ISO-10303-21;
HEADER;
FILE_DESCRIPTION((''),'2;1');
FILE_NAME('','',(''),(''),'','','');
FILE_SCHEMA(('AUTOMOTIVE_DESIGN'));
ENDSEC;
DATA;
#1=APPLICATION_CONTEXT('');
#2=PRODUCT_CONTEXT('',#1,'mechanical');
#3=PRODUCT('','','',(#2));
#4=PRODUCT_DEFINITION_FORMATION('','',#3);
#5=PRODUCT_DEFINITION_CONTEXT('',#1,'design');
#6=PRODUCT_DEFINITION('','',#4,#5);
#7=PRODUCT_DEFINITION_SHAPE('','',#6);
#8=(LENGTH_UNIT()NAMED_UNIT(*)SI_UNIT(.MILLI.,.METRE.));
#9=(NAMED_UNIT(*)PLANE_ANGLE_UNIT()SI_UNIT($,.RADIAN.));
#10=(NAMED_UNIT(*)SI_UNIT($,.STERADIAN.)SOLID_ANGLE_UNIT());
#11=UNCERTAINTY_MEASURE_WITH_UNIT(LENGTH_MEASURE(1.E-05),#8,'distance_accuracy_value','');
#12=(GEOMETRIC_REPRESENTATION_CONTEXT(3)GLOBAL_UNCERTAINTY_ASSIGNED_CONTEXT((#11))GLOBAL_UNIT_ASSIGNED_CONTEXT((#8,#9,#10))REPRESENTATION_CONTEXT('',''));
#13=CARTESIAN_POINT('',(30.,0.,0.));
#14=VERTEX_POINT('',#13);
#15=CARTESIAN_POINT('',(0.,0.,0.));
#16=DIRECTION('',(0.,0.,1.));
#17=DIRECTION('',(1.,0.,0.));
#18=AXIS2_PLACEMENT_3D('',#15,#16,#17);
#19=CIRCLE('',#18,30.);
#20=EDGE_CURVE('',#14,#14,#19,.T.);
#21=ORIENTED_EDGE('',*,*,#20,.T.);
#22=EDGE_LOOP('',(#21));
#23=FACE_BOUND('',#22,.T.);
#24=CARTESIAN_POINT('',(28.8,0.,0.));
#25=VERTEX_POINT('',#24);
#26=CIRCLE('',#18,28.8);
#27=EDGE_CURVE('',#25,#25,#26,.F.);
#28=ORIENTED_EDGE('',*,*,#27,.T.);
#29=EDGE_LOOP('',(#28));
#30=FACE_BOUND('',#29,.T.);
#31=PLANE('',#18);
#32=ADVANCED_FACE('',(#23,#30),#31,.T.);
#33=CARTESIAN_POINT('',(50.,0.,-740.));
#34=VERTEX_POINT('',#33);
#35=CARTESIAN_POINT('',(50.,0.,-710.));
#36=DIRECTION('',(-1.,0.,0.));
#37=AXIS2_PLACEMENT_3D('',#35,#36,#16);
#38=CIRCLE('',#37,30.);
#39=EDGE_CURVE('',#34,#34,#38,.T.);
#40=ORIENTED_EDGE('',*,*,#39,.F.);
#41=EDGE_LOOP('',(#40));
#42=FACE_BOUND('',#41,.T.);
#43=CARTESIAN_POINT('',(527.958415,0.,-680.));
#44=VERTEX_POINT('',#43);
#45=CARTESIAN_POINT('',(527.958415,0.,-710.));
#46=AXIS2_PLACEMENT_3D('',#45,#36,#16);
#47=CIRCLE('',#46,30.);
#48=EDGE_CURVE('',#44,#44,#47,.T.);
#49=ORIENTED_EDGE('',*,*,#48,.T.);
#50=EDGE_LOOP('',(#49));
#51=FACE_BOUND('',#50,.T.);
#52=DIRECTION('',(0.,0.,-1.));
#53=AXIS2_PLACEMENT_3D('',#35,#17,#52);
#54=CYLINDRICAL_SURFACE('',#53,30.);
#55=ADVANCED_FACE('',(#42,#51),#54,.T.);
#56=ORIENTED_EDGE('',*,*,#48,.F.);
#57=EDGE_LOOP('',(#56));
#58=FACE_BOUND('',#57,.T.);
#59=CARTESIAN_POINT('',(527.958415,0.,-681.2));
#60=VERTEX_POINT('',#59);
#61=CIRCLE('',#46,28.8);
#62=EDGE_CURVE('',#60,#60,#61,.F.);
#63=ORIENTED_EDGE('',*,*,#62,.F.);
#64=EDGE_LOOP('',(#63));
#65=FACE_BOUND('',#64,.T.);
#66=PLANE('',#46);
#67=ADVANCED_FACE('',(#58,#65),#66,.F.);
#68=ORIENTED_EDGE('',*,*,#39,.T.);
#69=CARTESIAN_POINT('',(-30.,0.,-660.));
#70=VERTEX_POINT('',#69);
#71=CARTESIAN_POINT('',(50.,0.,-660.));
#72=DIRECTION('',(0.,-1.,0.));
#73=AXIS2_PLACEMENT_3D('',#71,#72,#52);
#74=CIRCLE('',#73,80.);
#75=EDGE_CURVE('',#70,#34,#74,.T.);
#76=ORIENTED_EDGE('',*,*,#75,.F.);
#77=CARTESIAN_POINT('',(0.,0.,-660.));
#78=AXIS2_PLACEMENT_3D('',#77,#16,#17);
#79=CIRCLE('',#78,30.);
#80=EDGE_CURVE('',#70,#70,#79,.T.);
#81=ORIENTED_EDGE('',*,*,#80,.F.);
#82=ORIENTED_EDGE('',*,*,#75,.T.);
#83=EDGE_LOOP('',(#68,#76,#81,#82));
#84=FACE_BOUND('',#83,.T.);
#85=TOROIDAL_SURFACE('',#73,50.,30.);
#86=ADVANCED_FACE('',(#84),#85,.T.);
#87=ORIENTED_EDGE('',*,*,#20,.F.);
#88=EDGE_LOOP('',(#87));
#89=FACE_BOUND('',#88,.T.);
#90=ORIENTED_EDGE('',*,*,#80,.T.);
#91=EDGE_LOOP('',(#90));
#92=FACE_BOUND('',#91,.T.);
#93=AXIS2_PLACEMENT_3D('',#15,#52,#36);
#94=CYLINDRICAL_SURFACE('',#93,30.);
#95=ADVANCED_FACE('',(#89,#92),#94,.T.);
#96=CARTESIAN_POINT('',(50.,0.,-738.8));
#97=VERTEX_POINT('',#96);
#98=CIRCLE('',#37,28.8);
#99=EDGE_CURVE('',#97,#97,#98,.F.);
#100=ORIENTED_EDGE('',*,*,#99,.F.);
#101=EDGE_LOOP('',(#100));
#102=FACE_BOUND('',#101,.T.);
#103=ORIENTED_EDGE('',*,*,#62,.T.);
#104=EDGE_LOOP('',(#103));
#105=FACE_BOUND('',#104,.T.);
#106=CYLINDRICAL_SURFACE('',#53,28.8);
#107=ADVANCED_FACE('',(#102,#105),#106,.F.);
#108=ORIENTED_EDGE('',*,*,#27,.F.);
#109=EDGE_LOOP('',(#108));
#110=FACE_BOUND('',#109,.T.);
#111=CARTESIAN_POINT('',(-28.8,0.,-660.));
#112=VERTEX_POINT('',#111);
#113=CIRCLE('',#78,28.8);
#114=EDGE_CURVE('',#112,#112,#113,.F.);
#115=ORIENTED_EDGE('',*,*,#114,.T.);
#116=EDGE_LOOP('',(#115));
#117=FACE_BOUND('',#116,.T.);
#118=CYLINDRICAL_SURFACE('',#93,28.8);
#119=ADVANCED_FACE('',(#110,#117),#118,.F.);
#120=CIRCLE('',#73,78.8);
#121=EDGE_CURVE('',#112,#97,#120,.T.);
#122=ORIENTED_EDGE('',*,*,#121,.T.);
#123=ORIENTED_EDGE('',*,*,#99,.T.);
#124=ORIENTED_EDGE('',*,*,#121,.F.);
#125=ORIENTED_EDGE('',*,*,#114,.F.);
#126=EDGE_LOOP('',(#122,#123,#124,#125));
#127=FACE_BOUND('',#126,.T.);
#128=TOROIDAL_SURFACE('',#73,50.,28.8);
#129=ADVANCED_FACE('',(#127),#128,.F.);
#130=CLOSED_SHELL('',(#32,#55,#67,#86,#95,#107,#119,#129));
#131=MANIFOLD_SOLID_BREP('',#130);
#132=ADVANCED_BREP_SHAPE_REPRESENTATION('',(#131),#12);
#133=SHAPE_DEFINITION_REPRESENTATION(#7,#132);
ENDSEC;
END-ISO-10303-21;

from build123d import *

# Parameters (mm, degrees)
SKETCH1_R   = 30
SKETCH1_R_2 = 28.8


with BuildPart() as part:
    # Sweep1: sweep along a path in Sketch2
    with BuildLine(Plane(origin=(0, 0, 0), x_dir=(1, 0, 0), z_dir=(0, 1, 0))) as sweep1_path:
        Line((0, 0), (0, 660))
        ThreePointArc((0, 660), (14.644660941, 695.355339059), (50, 710))
        Line((50, 710), (527.958415109, 710))
    # Sketch1 → Sweep1 (sweep)
    with BuildSketch(Plane.XY):
        Circle(SKETCH1_R)
        Circle(SKETCH1_R_2, mode=Mode.SUBTRACT)
    sweep(path=sweep1_path.line)


solid = part.part
